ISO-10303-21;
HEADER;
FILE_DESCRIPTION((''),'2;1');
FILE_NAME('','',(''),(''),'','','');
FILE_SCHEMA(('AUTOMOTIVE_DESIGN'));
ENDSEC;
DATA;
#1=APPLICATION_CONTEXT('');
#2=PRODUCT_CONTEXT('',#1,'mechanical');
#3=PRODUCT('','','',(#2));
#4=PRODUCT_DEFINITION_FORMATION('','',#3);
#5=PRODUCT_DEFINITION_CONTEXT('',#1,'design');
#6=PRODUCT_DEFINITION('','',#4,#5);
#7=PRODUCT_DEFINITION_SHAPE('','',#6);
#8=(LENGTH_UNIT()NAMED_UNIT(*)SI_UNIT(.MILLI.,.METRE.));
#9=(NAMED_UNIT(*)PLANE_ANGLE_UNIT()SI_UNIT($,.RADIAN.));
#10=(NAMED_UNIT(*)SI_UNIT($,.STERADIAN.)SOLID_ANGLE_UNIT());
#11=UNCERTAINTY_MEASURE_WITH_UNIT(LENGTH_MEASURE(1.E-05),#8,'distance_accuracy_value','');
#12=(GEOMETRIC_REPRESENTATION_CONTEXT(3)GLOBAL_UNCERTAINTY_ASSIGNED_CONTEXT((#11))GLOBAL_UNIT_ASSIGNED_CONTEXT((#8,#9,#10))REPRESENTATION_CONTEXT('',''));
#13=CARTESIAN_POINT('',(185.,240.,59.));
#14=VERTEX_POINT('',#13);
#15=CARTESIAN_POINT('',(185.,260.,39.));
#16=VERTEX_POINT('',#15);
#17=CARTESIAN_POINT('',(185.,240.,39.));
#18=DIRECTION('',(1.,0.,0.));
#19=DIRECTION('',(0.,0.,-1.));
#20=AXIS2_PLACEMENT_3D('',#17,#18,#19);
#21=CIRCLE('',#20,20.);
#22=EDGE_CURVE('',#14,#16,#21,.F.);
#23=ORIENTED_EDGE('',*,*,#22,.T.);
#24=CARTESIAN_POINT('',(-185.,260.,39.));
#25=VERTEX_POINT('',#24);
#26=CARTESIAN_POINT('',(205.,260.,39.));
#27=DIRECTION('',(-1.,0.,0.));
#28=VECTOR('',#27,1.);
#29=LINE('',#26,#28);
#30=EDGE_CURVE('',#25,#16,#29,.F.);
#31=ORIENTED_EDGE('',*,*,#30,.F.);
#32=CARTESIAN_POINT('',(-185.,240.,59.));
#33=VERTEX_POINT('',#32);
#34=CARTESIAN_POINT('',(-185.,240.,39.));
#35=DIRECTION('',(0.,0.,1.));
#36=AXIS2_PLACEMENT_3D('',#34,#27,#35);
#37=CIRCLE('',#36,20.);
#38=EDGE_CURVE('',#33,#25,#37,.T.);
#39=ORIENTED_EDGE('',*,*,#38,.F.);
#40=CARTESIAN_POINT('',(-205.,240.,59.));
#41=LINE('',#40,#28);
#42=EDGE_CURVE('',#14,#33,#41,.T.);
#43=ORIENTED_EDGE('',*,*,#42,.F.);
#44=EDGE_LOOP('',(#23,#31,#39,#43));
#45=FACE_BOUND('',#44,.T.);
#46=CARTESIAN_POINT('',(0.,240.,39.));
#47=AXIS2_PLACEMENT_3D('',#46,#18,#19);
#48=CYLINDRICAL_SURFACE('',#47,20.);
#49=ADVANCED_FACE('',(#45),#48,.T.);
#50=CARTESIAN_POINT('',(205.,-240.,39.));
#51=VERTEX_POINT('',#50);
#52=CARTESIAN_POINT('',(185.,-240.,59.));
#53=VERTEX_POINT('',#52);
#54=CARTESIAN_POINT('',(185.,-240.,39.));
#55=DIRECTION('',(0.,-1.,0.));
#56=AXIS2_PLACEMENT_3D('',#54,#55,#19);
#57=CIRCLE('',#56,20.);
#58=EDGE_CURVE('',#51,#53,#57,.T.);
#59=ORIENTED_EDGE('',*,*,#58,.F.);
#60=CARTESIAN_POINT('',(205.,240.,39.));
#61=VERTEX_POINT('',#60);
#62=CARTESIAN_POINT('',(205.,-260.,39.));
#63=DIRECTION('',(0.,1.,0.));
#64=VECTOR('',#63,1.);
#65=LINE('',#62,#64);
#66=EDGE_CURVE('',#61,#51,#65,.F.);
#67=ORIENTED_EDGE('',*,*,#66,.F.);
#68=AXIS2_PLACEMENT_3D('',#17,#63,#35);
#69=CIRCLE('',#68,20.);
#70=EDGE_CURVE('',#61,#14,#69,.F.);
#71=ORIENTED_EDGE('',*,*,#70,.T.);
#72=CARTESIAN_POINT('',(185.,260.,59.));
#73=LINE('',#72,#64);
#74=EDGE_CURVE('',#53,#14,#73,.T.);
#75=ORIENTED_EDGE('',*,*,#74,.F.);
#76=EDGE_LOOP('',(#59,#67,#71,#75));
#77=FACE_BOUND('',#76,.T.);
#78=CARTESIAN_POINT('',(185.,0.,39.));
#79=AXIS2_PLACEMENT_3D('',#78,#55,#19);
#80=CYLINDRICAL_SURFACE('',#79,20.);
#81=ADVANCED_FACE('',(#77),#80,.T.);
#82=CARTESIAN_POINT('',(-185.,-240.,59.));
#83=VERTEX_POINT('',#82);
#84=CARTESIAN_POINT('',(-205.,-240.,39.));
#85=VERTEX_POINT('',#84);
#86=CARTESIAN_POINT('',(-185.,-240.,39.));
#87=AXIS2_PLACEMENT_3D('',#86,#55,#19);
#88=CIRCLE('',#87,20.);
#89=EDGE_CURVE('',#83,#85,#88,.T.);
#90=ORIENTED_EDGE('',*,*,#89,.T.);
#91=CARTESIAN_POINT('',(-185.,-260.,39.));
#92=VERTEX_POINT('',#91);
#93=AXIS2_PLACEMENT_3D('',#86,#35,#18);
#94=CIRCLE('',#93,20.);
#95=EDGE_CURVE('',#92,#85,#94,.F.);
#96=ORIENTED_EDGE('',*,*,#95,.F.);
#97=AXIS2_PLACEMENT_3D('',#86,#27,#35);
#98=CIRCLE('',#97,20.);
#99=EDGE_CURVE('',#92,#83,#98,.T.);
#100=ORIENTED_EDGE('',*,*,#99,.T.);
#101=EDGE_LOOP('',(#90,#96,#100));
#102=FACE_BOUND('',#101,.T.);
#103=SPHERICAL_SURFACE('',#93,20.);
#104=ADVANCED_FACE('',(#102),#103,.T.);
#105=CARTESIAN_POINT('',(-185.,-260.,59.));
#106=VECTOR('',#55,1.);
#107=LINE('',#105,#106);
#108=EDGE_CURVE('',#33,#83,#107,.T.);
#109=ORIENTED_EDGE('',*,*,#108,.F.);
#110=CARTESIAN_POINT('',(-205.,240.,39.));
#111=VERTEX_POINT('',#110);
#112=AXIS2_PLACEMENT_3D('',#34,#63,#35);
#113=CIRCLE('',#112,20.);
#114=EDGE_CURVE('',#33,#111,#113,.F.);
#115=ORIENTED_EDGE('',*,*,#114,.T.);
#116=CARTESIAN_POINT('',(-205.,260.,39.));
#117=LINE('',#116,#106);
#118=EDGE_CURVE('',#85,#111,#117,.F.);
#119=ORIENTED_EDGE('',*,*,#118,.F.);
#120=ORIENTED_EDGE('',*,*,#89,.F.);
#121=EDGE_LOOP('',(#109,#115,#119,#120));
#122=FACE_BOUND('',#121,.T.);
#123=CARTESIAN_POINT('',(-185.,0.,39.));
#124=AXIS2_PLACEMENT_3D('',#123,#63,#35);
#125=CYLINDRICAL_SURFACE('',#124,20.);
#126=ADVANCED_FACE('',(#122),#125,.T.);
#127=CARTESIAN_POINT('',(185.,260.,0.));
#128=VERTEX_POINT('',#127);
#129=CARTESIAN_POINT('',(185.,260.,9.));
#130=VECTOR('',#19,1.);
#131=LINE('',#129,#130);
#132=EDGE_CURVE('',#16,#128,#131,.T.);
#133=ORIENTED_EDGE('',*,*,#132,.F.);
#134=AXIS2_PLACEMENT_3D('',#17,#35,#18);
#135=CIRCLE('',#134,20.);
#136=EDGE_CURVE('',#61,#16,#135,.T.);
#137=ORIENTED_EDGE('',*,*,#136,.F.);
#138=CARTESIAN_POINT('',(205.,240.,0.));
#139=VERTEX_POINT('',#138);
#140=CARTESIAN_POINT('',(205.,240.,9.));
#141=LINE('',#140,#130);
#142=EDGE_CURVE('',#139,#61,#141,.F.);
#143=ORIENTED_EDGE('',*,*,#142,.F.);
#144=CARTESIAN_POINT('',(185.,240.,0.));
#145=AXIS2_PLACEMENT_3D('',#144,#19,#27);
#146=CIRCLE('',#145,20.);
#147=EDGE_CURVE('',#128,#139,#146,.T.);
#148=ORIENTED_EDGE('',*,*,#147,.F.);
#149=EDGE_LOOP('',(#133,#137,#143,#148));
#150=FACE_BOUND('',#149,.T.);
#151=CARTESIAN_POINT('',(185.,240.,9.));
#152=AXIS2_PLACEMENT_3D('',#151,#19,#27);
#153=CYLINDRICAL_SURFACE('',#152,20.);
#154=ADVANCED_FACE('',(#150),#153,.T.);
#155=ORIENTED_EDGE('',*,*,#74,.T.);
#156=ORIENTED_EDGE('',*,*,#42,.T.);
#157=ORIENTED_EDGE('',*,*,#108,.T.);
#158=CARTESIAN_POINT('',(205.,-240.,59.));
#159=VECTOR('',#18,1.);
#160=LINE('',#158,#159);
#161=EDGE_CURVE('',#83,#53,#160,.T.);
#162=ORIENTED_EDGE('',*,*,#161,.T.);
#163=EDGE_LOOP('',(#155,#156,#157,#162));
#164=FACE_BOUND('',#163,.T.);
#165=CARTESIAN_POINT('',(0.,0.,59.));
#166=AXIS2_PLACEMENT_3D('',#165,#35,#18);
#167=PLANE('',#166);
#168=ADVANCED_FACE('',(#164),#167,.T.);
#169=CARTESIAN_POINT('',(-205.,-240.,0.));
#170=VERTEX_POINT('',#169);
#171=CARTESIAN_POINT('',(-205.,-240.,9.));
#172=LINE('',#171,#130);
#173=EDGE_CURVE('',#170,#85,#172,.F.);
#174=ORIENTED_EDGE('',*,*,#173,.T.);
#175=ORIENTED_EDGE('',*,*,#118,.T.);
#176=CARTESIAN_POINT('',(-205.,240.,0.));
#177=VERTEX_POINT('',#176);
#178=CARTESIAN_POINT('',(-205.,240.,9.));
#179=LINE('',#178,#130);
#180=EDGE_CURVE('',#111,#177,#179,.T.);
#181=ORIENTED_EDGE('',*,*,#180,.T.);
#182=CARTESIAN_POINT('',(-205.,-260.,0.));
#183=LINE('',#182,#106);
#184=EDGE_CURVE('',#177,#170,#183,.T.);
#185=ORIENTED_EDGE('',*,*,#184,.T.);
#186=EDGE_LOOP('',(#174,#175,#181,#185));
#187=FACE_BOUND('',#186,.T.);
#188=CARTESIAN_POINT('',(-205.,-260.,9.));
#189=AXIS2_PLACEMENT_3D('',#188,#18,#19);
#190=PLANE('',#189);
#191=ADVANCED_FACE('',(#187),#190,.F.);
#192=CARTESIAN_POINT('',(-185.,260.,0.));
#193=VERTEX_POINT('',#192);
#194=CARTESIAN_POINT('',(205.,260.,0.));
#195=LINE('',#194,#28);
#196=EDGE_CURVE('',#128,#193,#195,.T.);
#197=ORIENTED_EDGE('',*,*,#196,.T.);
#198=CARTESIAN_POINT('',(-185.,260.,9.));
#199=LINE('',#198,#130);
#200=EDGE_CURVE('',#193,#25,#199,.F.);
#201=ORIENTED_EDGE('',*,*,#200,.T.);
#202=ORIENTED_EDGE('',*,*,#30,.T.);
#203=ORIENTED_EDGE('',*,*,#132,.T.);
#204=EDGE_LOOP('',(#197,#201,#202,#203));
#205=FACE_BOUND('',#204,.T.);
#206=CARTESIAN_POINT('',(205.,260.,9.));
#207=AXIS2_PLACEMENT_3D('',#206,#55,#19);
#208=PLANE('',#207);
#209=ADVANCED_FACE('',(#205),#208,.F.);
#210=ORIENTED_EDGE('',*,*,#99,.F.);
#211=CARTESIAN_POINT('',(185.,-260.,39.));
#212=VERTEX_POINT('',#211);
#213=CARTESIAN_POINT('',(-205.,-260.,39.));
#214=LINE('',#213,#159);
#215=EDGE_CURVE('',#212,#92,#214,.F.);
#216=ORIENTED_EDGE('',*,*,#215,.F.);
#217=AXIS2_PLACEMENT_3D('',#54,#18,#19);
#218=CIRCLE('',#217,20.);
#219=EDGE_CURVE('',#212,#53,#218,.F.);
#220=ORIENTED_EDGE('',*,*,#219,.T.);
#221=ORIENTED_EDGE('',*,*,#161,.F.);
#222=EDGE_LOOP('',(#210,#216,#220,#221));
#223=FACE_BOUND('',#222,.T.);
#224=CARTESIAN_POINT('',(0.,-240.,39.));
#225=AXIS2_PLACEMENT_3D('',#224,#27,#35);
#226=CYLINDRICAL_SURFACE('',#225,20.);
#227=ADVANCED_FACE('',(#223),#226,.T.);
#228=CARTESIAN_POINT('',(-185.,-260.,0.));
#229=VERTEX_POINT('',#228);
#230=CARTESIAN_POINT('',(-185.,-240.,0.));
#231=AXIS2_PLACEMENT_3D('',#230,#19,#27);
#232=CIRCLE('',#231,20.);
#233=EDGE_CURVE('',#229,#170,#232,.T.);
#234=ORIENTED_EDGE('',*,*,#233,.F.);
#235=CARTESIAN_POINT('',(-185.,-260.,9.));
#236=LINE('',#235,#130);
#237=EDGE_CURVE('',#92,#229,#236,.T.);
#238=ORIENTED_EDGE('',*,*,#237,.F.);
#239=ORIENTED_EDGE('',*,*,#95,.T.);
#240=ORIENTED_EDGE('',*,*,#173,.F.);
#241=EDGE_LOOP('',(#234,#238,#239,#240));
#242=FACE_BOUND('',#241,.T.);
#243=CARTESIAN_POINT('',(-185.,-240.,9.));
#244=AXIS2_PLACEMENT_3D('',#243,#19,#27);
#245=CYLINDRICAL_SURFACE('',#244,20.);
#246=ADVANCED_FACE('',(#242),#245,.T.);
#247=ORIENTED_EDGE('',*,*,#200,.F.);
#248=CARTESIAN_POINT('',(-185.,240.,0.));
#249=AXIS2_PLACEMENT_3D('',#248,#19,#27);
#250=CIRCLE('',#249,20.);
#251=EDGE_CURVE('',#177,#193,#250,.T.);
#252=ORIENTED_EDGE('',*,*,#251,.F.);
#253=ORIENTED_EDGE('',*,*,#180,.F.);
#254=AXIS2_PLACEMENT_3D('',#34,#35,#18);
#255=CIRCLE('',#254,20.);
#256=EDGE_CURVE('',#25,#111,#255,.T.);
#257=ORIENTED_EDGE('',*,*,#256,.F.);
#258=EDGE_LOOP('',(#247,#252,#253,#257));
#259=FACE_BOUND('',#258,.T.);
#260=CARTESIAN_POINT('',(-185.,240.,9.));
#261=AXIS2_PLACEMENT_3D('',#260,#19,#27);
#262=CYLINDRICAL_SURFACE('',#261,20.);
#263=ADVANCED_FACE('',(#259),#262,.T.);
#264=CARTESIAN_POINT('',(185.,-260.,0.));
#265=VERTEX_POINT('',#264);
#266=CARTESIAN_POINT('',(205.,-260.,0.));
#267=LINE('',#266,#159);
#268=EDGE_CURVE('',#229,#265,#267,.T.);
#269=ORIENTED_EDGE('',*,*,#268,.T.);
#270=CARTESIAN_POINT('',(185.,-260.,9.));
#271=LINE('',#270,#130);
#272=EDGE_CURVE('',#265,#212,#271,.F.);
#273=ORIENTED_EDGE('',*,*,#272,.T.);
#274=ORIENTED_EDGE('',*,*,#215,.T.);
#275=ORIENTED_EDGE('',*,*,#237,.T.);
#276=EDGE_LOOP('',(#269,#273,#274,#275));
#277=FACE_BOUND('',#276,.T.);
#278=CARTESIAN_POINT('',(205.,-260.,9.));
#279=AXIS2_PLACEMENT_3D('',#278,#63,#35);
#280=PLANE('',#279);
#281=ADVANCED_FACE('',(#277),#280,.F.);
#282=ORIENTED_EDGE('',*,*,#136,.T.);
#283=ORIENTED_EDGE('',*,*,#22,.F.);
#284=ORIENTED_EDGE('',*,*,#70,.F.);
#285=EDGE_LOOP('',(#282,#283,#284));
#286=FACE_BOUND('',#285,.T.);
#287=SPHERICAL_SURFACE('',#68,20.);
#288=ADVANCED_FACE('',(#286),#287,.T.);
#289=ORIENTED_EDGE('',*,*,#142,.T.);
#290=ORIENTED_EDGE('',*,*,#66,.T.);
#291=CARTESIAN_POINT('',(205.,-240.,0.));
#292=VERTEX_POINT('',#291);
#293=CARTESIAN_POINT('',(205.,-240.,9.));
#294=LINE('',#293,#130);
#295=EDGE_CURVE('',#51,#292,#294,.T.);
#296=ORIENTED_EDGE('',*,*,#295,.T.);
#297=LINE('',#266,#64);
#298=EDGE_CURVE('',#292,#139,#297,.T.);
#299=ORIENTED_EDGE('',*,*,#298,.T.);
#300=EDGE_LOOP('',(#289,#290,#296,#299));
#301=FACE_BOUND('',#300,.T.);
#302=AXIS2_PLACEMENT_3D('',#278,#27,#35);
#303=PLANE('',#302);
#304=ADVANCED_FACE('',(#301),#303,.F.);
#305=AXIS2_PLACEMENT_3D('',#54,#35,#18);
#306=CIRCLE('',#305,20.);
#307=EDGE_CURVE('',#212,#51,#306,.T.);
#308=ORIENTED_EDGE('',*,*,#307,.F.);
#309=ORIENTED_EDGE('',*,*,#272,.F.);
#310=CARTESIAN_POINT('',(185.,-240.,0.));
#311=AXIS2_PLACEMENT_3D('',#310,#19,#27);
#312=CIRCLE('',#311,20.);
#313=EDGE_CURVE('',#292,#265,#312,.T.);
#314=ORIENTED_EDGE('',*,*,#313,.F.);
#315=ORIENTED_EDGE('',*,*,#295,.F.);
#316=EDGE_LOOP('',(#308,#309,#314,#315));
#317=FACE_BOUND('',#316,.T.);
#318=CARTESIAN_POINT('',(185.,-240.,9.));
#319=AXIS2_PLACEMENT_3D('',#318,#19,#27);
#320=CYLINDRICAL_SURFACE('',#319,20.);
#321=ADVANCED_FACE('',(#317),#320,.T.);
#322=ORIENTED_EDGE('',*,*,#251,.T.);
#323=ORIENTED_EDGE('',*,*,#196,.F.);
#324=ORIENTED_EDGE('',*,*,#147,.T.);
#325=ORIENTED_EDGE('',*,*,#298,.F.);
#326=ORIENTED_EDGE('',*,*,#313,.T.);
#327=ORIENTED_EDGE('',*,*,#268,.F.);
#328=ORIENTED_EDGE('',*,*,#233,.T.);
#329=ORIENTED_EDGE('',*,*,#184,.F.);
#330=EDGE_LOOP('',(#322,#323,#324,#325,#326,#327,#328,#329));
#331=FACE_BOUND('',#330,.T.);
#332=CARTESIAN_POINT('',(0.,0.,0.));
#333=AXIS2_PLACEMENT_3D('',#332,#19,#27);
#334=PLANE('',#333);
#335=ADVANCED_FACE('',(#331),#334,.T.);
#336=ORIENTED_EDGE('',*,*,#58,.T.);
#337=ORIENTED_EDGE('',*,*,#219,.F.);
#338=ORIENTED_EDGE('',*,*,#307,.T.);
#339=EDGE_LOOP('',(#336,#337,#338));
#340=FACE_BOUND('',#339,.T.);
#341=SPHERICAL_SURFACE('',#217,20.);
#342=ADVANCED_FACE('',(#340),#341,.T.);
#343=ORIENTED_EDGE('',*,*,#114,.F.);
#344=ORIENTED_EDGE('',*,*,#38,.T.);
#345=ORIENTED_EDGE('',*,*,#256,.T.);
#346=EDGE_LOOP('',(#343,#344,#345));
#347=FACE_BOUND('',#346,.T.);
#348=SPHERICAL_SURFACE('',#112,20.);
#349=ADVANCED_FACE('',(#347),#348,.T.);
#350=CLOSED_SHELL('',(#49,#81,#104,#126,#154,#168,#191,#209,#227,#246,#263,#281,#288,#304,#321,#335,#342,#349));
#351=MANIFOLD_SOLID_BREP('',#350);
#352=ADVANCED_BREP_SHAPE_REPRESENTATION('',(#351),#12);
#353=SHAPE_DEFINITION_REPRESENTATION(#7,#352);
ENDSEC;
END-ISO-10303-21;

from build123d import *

# Parameters (mm, degrees)
CROQUIS1_W              = 520
CROQUIS1_H              = 410
SALIENTE_EXTRUIR1_DEPTH = 9
CROQUIS2_W              = 410
CROQUIS2_H              = 520
SALIENTE_EXTRUIR2_DEPTH = 50
REDONDEO1_R             = 20


with BuildPart() as part:
    # Croquis1 → Saliente-Extruir1 (new body)
    with BuildSketch(Plane(origin=(0, 0, 0), x_dir=(0, 1, 0), z_dir=(0, 0, 1))):
        Rectangle(CROQUIS1_W, CROQUIS1_H)
    extrude(amount=SALIENTE_EXTRUIR1_DEPTH)

    # Croquis2 → Saliente-Extruir2 (add)
    with BuildSketch(Plane.XY.offset(9)):
        Rectangle(CROQUIS2_W, CROQUIS2_H)
    extrude(amount=SALIENTE_EXTRUIR2_DEPTH)

    # Redondeo1
    redondeo1_edges = [part.edges().sort_by_distance(p)[0] for p in [
        (205, 0, 59),
        (0, 260, 59),
        (-205, 0, 59),
        (0, -260, 59),
        (205, 260, 29.5),
        (205, -260, 29.5),
        (-205, -260, 29.5),
        (-205, 260, 29.5),
    ]]
    fillet(redondeo1_edges, radius=REDONDEO1_R)


solid = part.part
